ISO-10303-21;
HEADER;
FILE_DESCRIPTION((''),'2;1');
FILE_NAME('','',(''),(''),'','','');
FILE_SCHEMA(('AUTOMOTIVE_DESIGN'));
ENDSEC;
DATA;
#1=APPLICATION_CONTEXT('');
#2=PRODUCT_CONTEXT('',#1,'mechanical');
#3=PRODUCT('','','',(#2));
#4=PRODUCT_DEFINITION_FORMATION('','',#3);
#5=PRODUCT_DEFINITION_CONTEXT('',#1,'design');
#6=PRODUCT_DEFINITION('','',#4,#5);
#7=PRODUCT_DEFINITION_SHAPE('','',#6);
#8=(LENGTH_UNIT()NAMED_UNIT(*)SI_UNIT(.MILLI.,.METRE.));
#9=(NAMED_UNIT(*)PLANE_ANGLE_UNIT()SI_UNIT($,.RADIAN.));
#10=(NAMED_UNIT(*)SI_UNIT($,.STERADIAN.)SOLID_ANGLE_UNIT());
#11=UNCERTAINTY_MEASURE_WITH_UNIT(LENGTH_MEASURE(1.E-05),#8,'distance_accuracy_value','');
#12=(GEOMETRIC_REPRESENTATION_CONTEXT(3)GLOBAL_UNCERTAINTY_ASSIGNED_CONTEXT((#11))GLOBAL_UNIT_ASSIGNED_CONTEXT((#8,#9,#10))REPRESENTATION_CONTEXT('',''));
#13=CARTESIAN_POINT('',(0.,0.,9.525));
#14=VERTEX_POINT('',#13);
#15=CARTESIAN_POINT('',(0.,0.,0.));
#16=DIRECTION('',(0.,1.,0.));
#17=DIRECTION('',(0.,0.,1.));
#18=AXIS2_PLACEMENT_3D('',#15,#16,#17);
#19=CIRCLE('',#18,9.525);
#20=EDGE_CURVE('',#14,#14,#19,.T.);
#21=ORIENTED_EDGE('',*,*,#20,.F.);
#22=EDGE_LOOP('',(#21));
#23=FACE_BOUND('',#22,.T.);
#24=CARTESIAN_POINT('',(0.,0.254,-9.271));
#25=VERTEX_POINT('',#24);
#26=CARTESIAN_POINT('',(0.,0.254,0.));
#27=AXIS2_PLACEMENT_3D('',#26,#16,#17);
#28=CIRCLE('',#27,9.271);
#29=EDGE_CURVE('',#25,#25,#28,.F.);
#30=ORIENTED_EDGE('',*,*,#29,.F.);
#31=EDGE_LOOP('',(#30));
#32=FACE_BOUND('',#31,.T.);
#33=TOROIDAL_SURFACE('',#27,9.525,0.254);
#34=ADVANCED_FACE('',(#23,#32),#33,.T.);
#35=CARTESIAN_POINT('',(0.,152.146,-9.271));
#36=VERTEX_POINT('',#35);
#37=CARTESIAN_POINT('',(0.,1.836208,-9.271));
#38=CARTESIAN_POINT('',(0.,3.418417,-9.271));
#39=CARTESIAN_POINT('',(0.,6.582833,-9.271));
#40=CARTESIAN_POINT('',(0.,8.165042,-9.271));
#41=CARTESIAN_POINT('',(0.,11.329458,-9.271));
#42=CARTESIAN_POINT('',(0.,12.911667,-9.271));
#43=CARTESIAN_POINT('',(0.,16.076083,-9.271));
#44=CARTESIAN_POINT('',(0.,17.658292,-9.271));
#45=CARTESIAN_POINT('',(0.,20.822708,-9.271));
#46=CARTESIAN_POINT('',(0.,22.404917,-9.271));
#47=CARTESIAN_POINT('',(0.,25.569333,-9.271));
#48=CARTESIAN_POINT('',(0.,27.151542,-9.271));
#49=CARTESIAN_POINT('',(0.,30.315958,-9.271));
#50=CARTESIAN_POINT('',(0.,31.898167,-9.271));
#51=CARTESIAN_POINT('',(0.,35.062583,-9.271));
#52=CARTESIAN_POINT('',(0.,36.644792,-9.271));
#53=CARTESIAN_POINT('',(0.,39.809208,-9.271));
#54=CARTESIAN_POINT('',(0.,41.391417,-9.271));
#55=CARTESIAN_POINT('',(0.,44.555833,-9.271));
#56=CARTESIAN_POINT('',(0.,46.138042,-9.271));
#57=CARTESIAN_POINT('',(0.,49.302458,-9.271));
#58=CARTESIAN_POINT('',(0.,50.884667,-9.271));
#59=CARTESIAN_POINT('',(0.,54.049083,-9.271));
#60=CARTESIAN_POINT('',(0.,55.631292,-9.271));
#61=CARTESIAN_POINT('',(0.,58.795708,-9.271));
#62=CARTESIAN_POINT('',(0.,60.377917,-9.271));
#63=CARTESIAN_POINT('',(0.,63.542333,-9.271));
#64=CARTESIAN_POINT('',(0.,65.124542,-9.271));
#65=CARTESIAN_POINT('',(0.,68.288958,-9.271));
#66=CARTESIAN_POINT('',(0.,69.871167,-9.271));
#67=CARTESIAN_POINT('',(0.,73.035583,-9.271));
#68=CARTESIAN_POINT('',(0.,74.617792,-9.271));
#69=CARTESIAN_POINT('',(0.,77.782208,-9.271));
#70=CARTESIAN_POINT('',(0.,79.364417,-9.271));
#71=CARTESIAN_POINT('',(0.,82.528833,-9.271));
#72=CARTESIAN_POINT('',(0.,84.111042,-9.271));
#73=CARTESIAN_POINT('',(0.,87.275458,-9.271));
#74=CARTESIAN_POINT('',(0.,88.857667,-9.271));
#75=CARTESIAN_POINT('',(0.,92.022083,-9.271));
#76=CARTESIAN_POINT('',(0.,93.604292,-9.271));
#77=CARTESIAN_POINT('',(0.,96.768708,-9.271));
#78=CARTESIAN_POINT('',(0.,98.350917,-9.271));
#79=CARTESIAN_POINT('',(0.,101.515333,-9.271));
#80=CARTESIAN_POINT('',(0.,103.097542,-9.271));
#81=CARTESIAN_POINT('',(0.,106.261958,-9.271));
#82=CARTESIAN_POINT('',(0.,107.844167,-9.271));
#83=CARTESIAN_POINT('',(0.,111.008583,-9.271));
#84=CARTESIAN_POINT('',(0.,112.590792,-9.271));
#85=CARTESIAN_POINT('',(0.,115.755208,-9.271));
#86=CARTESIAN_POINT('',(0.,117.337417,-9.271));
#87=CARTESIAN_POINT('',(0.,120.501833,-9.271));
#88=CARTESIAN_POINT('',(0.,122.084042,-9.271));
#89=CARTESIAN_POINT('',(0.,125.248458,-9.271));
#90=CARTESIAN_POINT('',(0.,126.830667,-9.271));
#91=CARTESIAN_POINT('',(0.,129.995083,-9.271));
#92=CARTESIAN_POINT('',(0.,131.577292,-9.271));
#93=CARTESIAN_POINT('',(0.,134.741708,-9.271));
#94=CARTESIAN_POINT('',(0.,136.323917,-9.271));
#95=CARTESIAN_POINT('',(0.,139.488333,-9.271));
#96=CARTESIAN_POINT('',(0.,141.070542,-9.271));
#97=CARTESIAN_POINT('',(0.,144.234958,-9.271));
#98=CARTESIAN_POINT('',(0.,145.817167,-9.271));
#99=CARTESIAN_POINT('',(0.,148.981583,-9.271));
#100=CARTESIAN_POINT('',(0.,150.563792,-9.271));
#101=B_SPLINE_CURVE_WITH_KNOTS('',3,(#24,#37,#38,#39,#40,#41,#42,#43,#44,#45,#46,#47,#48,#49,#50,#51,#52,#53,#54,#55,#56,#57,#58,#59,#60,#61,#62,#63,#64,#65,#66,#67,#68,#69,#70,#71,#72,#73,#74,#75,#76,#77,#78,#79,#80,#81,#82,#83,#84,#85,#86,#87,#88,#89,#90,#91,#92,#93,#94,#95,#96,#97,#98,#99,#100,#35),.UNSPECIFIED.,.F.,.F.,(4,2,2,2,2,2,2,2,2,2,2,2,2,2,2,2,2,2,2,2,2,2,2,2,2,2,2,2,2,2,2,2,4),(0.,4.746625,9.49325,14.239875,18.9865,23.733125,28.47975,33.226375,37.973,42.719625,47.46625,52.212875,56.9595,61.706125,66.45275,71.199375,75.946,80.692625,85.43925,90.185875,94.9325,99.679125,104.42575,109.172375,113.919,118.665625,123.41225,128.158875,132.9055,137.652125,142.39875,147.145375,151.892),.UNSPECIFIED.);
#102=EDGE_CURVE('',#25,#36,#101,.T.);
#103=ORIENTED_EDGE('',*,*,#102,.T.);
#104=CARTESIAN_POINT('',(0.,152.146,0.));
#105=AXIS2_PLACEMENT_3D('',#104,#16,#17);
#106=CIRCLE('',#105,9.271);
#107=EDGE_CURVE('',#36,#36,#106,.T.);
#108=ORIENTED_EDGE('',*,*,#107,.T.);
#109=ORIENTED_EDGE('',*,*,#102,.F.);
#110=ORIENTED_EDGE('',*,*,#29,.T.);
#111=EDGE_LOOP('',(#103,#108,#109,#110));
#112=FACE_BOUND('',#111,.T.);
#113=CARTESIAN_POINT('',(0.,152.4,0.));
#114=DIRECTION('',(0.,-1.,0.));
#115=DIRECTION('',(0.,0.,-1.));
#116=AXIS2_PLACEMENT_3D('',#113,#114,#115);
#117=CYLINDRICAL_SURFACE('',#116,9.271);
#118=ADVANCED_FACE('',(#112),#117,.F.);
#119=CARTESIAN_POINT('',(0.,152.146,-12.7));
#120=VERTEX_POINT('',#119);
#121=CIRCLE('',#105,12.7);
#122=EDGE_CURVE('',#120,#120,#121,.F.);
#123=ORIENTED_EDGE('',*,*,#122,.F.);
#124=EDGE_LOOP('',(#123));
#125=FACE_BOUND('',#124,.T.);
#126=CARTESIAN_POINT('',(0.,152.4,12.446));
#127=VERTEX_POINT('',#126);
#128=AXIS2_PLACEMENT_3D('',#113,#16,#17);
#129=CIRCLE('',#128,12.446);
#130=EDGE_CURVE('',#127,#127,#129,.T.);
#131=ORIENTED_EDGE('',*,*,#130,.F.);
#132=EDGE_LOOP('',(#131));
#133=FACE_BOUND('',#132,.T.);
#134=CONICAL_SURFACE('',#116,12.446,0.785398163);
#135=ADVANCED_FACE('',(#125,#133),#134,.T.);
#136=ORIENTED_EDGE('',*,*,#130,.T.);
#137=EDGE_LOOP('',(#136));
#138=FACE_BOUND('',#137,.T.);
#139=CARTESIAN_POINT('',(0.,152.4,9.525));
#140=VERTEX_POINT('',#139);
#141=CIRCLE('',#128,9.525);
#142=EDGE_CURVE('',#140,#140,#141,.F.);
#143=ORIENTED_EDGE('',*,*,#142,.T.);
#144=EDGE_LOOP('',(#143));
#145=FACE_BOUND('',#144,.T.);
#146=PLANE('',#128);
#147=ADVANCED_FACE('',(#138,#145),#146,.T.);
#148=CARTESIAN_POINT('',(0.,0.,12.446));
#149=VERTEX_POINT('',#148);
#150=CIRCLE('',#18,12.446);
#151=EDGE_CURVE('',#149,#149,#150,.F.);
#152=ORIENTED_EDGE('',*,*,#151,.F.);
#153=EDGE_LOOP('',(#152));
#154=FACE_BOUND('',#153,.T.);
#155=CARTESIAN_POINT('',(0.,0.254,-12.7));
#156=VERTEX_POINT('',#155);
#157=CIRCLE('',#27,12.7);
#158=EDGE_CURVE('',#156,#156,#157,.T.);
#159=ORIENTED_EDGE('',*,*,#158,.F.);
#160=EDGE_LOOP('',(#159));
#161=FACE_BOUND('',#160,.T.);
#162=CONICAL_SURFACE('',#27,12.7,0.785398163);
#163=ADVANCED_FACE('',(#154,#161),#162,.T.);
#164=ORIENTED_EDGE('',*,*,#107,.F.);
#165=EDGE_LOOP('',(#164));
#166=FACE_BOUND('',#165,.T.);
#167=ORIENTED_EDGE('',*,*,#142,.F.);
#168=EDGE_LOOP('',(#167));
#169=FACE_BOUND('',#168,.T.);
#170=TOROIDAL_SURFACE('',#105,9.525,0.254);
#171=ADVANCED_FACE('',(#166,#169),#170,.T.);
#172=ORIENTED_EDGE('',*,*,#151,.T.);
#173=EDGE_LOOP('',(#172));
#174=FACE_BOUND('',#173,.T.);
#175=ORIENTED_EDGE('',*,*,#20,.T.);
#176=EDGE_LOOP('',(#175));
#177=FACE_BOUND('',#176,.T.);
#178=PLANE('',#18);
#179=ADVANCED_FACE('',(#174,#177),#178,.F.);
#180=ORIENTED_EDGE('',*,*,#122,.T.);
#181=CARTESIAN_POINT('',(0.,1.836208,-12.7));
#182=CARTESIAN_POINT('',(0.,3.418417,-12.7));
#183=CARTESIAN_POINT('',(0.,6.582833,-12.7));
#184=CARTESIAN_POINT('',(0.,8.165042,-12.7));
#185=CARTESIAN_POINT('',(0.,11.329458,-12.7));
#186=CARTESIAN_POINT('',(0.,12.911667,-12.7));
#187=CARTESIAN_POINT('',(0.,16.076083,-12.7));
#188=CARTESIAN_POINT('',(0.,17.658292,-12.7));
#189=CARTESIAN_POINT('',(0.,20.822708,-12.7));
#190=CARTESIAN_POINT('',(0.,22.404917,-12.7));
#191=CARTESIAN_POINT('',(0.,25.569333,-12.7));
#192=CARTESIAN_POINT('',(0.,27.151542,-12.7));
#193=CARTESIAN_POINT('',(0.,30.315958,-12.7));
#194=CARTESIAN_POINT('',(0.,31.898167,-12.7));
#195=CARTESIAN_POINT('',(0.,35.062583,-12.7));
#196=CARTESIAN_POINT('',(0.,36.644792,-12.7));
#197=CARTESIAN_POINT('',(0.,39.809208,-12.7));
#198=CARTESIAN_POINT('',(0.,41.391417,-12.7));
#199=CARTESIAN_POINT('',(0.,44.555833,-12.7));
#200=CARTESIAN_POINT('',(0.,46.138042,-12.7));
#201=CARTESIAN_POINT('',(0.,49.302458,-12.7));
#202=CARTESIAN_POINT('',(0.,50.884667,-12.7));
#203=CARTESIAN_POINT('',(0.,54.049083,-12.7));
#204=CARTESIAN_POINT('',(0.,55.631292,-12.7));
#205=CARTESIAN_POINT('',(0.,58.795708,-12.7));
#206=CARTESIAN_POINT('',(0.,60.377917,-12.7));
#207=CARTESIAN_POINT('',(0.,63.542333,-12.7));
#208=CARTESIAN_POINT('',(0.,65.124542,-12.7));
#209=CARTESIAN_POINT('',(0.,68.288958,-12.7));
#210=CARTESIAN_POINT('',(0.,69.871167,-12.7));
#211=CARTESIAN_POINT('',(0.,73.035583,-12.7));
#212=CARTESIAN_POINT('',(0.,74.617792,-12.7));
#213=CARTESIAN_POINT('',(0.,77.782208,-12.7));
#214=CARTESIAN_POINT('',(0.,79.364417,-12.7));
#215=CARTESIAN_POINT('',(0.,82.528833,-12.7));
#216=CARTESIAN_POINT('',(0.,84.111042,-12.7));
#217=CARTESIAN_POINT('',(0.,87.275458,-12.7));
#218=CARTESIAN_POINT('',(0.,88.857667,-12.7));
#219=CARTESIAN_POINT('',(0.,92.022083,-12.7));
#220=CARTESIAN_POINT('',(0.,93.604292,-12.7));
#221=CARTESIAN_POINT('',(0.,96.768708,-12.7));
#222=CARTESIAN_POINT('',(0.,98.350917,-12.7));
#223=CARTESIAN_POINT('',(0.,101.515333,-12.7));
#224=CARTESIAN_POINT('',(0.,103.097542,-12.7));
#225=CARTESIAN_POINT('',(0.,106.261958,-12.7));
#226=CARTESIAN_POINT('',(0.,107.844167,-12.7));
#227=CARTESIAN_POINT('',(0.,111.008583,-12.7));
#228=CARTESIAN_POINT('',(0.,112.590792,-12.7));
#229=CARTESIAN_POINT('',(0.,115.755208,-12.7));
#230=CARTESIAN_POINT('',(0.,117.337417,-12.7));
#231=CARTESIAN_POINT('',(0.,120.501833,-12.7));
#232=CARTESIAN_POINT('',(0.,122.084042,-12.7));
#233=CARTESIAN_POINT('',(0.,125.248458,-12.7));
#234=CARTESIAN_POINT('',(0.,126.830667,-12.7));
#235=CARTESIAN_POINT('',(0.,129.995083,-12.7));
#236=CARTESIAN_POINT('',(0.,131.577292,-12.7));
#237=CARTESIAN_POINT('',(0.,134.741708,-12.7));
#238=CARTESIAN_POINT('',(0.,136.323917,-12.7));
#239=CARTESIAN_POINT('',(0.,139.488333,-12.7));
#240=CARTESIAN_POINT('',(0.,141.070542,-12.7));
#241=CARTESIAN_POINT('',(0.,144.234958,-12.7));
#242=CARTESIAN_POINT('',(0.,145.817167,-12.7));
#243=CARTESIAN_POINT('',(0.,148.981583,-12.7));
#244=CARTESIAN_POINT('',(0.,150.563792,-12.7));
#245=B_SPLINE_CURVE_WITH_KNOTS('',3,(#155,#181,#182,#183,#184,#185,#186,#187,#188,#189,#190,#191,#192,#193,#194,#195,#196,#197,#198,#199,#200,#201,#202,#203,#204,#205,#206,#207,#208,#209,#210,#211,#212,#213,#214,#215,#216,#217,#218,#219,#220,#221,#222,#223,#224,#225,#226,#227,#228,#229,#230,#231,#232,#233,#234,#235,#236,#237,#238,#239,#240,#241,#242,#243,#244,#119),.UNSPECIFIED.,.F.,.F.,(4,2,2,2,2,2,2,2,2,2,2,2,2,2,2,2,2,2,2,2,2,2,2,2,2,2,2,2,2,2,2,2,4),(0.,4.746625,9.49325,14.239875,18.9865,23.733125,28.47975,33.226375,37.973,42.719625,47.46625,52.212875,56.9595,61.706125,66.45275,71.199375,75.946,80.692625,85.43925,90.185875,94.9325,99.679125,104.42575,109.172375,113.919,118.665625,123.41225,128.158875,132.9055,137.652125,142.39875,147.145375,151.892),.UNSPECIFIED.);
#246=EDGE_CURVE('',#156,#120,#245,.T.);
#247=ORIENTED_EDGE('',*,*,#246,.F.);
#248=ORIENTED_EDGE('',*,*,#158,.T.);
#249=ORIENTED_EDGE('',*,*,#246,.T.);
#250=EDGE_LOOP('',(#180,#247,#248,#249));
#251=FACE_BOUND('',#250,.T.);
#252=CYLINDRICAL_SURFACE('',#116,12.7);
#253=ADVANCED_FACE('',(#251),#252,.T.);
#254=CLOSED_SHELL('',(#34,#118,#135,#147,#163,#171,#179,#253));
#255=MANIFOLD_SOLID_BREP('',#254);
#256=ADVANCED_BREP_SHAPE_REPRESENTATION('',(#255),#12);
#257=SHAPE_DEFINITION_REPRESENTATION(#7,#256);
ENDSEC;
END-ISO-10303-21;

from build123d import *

# Parameters (mm, degrees)
SKETCH1_R           = 12.7
SKETCH1_R_2         = 9.271
BOSS_EXTRUDE1_DEPTH = 152.4
CHAMFER1_SIZE       = 0.254
FILLET1_R           = 0.254


with BuildPart() as part:
    # Sketch1 → Boss-Extrude1 (new body)
    with BuildSketch(Plane(origin=(0, 0, 0), x_dir=(1, 0, 0), z_dir=(0, 1, 0))):
        with Locations(Location((0, 0, 0), (0, 0, 90))):
            Circle(SKETCH1_R)
        with Locations(Location((0, 0, 0), (0, 0, 90))):
            Circle(SKETCH1_R_2, mode=Mode.SUBTRACT)
    extrude(amount=BOSS_EXTRUDE1_DEPTH)

    # Chamfer1
    chamfer1_edges = [part.edges().sort_by_distance(p)[0] for p in [
        (0, 0, 12.7),
        (0, 152.4, 12.7),
    ]]
    chamfer(chamfer1_edges, length=CHAMFER1_SIZE)

    # Fillet1
    fillet1_edges = [part.edges().sort_by_distance(p)[0] for p in [
        (0, 0, 9.271),
        (0, 152.4, 9.271),
    ]]
    fillet(fillet1_edges, radius=FILLET1_R)


solid = part.part
